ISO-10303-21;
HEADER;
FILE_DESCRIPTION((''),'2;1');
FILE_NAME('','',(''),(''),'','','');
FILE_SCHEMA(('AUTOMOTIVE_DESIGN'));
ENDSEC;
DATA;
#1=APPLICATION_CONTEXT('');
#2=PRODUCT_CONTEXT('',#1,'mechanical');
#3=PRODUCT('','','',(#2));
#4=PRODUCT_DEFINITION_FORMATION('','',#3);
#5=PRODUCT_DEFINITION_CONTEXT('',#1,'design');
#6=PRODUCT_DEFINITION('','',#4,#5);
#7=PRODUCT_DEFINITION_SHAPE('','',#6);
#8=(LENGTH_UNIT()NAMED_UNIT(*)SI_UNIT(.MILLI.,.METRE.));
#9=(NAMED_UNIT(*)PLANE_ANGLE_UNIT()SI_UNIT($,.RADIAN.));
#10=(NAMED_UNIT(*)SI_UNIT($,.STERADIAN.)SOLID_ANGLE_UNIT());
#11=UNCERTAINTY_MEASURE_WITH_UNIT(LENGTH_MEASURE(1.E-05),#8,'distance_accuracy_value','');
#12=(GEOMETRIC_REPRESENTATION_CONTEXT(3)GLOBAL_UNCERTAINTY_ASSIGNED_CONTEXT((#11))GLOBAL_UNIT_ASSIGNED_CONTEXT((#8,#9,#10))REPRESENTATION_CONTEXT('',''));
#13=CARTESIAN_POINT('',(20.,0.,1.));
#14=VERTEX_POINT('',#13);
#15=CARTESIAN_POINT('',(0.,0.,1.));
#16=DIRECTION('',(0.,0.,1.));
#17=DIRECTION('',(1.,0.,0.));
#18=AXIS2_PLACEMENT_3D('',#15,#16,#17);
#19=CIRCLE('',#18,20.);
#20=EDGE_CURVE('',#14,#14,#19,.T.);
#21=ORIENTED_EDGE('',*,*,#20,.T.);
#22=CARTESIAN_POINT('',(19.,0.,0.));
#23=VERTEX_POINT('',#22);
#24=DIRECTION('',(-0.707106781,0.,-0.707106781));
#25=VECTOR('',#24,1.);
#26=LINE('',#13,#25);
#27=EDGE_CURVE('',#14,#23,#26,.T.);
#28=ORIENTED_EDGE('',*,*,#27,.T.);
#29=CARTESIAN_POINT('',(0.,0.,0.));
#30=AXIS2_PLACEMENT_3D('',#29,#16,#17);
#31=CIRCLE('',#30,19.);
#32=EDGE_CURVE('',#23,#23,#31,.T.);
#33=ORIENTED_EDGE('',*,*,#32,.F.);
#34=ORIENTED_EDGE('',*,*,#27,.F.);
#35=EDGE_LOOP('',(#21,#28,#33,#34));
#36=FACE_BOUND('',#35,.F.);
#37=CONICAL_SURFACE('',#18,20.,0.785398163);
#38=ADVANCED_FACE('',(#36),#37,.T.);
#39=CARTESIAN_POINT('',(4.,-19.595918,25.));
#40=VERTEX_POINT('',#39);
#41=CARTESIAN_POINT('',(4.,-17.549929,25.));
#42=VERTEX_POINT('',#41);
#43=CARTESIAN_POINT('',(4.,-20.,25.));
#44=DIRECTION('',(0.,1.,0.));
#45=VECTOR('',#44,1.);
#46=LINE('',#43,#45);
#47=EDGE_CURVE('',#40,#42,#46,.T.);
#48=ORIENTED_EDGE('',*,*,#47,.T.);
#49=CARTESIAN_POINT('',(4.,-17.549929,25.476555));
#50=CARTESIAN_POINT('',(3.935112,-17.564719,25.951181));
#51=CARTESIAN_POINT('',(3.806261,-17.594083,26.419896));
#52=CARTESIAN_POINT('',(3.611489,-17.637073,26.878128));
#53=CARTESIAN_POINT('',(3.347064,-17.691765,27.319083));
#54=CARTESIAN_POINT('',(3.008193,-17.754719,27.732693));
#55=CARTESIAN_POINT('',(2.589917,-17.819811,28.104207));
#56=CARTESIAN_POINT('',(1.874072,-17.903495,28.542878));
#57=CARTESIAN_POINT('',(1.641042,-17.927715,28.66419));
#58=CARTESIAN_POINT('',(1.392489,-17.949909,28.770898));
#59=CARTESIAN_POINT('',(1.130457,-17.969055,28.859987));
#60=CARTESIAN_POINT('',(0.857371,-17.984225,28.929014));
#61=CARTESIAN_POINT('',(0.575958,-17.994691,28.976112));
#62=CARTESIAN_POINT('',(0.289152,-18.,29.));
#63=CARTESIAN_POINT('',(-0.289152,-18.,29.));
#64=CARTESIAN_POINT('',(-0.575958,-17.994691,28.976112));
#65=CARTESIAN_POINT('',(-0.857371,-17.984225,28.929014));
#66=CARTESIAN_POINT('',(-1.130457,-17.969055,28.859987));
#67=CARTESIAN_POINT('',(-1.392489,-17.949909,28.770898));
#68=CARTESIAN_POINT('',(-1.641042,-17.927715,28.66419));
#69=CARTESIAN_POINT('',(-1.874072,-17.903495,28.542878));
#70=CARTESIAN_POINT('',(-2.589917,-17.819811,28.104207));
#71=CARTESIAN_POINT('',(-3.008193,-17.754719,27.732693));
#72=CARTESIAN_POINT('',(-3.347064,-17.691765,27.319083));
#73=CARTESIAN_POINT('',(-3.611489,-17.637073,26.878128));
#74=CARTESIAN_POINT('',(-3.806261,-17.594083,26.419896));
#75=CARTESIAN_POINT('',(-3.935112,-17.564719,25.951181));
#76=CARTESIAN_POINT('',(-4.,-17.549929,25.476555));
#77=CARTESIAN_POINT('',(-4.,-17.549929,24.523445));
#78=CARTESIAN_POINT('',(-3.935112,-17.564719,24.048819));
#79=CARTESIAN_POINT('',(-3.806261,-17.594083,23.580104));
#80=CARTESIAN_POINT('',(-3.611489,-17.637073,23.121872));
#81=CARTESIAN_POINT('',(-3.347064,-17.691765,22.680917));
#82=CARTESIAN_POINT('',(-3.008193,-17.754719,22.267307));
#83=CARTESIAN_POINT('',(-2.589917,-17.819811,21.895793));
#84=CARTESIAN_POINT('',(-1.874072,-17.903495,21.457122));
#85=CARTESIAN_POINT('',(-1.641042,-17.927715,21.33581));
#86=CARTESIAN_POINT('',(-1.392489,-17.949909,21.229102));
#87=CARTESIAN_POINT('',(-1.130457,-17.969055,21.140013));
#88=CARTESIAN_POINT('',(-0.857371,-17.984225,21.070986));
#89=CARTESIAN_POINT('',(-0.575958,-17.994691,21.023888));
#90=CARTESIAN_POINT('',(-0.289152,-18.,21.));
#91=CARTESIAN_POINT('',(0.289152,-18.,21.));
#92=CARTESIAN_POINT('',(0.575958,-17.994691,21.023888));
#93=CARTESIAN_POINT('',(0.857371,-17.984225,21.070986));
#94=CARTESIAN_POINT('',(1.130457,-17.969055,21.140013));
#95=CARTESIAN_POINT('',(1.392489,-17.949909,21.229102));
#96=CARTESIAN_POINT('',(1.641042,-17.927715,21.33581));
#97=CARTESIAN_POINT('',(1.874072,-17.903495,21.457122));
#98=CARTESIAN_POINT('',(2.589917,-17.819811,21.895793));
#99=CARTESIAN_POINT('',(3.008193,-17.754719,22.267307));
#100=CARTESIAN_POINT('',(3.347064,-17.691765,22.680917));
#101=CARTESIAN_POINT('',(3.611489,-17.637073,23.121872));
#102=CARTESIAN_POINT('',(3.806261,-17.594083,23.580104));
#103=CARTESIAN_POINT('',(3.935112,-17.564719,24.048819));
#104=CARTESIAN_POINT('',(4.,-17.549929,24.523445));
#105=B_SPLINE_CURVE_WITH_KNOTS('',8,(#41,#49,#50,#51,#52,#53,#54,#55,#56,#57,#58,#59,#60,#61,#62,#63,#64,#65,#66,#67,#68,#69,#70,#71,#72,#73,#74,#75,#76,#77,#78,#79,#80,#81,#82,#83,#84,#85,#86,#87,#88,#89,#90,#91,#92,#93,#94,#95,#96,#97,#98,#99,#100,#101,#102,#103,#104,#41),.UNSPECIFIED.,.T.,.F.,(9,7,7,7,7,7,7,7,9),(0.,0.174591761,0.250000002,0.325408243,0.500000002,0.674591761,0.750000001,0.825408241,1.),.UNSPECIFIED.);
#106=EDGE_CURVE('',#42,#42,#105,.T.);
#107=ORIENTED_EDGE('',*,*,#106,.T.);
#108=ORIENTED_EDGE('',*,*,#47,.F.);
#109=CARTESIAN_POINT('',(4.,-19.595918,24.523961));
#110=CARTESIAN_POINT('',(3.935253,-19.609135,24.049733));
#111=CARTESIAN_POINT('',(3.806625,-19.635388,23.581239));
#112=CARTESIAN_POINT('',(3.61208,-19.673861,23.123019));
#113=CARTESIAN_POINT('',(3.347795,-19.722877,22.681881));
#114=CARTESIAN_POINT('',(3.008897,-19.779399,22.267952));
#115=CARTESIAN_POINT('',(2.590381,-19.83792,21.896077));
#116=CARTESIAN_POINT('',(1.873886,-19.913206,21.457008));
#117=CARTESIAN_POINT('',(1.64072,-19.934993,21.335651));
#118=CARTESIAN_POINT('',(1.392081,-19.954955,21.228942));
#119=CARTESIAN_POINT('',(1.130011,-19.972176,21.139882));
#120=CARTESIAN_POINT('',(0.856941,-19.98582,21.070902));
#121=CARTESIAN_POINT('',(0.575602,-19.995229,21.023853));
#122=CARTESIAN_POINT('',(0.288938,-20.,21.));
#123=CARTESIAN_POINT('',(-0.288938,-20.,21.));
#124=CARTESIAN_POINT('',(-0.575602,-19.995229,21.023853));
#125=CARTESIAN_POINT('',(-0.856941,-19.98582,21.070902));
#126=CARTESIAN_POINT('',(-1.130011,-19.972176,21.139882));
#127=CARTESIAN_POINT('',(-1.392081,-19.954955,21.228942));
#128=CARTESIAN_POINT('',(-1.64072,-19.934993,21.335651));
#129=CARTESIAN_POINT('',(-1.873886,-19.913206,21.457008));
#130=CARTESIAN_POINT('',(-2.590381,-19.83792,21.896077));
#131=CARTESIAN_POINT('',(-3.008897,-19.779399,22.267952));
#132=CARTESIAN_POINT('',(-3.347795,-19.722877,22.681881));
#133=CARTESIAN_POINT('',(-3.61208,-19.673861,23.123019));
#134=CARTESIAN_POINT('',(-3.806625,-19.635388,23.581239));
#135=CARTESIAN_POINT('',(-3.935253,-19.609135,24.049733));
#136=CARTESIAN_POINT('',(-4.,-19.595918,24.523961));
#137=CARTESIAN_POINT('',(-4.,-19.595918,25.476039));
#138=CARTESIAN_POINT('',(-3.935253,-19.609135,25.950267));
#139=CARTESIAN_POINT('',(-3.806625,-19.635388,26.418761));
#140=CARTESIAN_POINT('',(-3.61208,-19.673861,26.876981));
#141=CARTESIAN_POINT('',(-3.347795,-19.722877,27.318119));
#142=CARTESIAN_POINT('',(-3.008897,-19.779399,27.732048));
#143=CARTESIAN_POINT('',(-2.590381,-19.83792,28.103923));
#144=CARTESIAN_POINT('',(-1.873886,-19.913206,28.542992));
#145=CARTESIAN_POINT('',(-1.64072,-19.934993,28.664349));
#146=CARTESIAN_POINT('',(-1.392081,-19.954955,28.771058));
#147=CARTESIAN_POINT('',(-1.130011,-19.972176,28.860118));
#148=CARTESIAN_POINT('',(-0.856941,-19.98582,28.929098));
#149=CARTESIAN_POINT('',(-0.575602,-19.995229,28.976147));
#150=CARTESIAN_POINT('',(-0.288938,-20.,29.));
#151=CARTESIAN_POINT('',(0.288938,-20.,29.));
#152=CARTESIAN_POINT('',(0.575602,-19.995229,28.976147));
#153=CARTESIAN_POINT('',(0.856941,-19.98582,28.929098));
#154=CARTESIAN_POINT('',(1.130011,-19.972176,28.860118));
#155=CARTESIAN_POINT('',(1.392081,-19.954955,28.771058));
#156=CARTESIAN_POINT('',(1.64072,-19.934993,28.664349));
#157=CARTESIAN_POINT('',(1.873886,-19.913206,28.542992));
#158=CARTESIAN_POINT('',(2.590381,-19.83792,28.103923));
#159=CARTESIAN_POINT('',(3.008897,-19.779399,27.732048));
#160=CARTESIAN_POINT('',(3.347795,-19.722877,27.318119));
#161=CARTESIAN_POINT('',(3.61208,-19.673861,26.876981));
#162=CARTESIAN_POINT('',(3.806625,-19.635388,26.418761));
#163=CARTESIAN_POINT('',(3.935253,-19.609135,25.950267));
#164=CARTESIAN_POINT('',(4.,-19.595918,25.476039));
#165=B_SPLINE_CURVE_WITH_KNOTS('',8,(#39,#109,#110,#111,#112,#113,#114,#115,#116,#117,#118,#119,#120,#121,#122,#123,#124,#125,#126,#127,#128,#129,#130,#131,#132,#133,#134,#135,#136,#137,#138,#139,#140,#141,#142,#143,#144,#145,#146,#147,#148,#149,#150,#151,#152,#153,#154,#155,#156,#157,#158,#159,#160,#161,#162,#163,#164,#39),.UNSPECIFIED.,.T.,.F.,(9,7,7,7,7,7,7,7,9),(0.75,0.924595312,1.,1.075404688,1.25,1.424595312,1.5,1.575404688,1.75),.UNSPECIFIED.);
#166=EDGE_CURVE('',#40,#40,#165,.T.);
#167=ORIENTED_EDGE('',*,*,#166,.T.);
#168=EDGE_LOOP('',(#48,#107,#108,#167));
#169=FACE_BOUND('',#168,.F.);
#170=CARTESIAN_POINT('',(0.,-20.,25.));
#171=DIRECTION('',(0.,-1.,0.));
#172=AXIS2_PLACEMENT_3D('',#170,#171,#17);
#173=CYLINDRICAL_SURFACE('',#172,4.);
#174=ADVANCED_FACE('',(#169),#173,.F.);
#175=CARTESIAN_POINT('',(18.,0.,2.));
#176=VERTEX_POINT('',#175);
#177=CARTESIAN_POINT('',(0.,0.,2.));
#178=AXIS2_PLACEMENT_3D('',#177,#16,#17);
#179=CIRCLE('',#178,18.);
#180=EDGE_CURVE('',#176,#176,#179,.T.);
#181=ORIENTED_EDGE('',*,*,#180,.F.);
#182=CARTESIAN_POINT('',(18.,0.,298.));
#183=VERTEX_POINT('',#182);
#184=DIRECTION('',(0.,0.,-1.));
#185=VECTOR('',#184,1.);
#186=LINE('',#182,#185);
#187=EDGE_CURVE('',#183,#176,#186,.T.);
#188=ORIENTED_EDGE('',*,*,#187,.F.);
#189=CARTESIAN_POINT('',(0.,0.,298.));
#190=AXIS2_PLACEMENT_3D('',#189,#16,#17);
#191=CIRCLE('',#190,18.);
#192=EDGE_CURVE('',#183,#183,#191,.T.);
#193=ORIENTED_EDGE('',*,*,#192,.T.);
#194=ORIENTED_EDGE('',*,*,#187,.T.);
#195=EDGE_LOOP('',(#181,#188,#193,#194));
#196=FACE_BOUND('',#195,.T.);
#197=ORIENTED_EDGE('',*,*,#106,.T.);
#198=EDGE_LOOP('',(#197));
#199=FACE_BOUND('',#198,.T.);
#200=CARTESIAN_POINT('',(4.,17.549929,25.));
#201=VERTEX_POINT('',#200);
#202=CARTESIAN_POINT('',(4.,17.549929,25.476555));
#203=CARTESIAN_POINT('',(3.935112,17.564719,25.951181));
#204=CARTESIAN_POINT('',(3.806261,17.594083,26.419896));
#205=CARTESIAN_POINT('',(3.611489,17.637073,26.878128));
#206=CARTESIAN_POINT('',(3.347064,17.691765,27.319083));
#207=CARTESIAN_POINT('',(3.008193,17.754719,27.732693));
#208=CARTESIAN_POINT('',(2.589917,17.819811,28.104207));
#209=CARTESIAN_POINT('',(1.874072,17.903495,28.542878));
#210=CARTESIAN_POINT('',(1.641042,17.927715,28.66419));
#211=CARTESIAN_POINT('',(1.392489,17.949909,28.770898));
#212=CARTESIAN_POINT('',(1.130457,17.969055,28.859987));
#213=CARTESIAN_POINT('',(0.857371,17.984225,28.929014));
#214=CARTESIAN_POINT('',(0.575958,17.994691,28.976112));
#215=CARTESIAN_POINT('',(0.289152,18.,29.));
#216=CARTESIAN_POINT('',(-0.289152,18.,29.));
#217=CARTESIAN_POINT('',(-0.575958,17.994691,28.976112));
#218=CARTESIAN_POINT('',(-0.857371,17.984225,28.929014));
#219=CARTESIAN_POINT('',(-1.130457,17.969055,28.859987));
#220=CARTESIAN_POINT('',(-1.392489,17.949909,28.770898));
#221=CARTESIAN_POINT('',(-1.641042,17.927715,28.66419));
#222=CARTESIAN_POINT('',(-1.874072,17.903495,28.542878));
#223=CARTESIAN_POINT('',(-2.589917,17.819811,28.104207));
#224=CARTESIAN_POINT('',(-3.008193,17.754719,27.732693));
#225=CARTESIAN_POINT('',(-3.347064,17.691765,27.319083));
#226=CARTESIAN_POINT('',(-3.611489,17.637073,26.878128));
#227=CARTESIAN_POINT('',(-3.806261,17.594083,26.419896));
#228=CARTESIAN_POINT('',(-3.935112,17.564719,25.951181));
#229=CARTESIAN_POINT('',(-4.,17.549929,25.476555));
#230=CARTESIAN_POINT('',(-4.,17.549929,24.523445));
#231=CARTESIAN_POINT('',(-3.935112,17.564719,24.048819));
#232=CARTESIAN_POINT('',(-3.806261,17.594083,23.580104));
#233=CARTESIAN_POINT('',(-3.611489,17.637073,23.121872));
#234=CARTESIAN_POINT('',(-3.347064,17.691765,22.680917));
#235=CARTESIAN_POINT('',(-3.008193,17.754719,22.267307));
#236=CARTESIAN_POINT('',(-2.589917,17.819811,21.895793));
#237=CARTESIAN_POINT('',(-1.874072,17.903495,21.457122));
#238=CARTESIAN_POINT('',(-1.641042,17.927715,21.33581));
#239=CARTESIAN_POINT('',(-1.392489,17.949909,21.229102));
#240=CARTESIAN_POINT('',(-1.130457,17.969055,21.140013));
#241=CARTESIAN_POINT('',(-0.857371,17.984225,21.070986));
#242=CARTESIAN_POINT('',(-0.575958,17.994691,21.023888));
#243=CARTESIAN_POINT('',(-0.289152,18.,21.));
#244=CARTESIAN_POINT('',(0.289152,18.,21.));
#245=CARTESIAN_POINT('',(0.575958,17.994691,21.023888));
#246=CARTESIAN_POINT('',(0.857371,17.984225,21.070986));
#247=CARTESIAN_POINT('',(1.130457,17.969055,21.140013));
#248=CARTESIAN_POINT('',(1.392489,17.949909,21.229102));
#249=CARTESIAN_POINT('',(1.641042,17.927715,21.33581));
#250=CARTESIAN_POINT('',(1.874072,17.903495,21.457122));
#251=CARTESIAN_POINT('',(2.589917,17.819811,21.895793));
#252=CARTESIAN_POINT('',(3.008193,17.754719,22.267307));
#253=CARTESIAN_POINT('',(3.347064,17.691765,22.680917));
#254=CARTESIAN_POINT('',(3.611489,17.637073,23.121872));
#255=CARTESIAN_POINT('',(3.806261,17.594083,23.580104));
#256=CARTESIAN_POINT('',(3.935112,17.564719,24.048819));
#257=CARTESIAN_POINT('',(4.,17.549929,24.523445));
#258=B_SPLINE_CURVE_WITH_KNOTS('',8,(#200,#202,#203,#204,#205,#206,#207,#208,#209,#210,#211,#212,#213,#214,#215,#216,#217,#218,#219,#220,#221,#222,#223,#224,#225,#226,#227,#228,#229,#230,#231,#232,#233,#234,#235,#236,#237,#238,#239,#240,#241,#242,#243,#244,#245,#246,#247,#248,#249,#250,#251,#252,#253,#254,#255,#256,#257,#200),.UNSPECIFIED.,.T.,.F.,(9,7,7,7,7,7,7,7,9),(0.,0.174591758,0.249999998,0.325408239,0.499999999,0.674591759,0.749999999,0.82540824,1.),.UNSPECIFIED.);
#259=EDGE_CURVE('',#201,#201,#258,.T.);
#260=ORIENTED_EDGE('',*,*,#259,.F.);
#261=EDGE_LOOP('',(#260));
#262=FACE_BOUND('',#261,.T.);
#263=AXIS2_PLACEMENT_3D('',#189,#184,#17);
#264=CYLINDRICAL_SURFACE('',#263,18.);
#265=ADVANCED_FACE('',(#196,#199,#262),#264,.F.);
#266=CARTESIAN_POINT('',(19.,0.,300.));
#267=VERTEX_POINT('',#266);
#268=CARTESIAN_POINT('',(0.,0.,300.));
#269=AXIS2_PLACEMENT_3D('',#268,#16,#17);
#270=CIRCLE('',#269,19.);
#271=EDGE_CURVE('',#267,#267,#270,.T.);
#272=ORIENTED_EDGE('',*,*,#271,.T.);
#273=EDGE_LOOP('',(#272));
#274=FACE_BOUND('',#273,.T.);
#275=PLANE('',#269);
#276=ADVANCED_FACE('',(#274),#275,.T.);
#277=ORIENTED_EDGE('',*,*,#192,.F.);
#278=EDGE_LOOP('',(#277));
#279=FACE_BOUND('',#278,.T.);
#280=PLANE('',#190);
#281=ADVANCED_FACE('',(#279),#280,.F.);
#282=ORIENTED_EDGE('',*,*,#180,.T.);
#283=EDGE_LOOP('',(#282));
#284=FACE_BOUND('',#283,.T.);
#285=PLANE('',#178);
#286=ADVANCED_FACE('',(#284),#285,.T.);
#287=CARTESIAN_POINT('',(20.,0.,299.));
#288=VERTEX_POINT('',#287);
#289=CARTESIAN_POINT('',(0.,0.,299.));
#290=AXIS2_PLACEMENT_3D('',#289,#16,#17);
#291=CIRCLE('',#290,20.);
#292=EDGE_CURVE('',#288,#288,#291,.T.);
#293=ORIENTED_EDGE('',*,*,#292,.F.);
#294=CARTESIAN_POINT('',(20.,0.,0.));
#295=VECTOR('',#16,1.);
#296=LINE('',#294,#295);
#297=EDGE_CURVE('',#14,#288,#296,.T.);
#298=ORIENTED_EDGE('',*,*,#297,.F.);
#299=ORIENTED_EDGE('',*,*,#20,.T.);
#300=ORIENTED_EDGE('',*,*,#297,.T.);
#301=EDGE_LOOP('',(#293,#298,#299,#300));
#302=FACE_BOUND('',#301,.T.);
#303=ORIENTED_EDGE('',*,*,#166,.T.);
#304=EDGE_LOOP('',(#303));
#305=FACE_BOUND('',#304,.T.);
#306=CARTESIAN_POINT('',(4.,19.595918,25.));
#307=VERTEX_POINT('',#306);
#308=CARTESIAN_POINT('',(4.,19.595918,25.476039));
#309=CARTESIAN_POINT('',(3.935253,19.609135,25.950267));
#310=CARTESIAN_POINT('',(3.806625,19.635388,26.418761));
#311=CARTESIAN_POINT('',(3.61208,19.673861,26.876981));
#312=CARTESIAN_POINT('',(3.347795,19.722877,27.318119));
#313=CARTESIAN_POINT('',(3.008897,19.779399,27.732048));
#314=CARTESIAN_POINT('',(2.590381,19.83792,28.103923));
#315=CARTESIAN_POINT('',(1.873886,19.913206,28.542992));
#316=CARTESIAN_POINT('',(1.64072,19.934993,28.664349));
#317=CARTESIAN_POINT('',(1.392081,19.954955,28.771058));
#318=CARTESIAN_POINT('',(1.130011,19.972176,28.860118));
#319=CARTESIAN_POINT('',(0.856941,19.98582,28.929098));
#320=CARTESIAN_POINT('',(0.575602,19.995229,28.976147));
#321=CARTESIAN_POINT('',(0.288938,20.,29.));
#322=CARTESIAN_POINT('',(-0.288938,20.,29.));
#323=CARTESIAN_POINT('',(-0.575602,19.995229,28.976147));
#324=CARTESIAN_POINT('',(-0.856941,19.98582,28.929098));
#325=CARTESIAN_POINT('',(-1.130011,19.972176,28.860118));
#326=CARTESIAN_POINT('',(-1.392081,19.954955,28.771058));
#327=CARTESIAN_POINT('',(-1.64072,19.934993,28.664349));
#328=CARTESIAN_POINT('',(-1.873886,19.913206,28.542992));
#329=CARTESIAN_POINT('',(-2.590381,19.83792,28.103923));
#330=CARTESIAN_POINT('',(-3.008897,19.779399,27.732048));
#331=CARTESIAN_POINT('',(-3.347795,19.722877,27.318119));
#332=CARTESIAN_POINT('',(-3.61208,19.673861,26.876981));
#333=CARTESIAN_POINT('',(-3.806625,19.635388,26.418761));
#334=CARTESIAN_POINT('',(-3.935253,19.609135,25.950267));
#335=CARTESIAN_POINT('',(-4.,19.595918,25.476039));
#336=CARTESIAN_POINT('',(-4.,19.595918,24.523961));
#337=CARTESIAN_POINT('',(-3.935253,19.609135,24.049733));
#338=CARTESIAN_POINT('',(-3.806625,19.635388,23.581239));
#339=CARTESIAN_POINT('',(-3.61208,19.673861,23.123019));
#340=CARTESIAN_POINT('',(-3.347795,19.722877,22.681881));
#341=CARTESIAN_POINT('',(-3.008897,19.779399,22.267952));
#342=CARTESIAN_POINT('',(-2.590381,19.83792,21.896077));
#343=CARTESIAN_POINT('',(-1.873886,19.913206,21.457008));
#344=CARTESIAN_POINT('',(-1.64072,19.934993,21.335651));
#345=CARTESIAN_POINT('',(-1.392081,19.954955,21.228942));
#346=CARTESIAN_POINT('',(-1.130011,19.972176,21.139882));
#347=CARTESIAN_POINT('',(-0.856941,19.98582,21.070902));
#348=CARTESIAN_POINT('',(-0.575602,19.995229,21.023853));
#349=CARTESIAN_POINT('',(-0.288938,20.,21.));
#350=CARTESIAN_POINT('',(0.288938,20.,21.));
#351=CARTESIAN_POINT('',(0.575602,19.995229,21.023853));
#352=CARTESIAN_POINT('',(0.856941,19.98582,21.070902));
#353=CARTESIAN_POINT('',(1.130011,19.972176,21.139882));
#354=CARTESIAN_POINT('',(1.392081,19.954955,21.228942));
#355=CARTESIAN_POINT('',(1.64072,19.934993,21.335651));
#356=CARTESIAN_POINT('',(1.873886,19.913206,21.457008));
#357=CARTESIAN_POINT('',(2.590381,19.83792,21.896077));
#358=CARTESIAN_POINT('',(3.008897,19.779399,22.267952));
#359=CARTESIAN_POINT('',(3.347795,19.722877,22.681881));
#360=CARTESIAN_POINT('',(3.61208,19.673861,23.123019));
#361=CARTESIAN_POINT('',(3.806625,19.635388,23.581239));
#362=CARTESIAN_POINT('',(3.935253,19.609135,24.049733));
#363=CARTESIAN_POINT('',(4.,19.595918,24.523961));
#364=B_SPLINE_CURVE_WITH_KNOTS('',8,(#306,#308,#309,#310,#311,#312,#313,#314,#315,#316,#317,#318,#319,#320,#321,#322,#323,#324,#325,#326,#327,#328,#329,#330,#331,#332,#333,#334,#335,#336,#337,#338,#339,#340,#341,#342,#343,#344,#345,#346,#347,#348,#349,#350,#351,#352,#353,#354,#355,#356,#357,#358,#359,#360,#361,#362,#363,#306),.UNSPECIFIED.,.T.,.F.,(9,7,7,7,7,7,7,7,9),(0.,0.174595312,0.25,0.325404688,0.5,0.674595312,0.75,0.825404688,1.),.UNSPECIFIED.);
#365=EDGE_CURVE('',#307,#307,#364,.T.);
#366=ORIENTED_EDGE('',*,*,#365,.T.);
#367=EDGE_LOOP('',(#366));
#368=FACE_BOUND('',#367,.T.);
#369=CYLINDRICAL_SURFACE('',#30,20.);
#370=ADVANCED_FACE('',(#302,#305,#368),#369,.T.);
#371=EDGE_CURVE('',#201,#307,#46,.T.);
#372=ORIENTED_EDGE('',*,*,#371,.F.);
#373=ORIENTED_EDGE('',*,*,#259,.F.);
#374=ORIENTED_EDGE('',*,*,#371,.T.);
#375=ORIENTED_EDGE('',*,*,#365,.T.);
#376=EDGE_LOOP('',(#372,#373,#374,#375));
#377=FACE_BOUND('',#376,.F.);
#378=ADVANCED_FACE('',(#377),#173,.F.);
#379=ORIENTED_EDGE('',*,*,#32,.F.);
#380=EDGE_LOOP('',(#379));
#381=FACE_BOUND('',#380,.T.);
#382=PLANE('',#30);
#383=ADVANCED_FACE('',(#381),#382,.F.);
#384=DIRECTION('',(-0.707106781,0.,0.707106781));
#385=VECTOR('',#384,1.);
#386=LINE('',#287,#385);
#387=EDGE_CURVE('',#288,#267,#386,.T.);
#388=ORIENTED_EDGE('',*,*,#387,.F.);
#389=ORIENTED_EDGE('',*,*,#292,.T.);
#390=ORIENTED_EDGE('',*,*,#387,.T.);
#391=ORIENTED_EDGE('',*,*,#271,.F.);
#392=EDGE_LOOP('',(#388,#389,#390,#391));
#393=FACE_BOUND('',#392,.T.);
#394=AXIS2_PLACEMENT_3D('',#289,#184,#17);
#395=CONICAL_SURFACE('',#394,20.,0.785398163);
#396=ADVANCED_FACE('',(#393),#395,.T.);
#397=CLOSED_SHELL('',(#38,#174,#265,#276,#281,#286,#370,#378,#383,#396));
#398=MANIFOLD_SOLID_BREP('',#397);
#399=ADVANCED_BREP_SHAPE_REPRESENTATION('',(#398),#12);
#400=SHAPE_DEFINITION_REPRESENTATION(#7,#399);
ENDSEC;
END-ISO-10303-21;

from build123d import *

# Parameters (mm, degrees)
F3_SIZE  = 1
F4_SIZE  = 1
F6_R     = 4
F7_DEPTH = 40


with BuildPart() as f2:
    # F0 (on Front) → F2 (revolve)
    with BuildSketch(Plane.XZ):
        Polygon((0, 2), (0, 0), (20, 0), (20, 300), (0, 300), (0, 298), (18, 298), (18, 2), align=None)
    revolve(axis=Axis((0, 0, 152.335405), (0, 0, 1)))

    # F3
    f3_edges = [f2.edges().sort_by_distance(p)[0] for p in [
        (-20, 0, 300),
    ]]
    chamfer(f3_edges, length=F3_SIZE)

    # F4
    f4_edges = [f2.edges().sort_by_distance(p)[0] for p in [
        (-20, 0, 0),
    ]]
    chamfer(f4_edges, length=F4_SIZE)

    # F6 (on offset) → F7 (cut)
    with BuildSketch(Plane.XZ.offset(20)):
        with Locations((0, 25)):
            Circle(F6_R)
    extrude(amount=-F7_DEPTH, mode=Mode.SUBTRACT)


solid = f2.part
